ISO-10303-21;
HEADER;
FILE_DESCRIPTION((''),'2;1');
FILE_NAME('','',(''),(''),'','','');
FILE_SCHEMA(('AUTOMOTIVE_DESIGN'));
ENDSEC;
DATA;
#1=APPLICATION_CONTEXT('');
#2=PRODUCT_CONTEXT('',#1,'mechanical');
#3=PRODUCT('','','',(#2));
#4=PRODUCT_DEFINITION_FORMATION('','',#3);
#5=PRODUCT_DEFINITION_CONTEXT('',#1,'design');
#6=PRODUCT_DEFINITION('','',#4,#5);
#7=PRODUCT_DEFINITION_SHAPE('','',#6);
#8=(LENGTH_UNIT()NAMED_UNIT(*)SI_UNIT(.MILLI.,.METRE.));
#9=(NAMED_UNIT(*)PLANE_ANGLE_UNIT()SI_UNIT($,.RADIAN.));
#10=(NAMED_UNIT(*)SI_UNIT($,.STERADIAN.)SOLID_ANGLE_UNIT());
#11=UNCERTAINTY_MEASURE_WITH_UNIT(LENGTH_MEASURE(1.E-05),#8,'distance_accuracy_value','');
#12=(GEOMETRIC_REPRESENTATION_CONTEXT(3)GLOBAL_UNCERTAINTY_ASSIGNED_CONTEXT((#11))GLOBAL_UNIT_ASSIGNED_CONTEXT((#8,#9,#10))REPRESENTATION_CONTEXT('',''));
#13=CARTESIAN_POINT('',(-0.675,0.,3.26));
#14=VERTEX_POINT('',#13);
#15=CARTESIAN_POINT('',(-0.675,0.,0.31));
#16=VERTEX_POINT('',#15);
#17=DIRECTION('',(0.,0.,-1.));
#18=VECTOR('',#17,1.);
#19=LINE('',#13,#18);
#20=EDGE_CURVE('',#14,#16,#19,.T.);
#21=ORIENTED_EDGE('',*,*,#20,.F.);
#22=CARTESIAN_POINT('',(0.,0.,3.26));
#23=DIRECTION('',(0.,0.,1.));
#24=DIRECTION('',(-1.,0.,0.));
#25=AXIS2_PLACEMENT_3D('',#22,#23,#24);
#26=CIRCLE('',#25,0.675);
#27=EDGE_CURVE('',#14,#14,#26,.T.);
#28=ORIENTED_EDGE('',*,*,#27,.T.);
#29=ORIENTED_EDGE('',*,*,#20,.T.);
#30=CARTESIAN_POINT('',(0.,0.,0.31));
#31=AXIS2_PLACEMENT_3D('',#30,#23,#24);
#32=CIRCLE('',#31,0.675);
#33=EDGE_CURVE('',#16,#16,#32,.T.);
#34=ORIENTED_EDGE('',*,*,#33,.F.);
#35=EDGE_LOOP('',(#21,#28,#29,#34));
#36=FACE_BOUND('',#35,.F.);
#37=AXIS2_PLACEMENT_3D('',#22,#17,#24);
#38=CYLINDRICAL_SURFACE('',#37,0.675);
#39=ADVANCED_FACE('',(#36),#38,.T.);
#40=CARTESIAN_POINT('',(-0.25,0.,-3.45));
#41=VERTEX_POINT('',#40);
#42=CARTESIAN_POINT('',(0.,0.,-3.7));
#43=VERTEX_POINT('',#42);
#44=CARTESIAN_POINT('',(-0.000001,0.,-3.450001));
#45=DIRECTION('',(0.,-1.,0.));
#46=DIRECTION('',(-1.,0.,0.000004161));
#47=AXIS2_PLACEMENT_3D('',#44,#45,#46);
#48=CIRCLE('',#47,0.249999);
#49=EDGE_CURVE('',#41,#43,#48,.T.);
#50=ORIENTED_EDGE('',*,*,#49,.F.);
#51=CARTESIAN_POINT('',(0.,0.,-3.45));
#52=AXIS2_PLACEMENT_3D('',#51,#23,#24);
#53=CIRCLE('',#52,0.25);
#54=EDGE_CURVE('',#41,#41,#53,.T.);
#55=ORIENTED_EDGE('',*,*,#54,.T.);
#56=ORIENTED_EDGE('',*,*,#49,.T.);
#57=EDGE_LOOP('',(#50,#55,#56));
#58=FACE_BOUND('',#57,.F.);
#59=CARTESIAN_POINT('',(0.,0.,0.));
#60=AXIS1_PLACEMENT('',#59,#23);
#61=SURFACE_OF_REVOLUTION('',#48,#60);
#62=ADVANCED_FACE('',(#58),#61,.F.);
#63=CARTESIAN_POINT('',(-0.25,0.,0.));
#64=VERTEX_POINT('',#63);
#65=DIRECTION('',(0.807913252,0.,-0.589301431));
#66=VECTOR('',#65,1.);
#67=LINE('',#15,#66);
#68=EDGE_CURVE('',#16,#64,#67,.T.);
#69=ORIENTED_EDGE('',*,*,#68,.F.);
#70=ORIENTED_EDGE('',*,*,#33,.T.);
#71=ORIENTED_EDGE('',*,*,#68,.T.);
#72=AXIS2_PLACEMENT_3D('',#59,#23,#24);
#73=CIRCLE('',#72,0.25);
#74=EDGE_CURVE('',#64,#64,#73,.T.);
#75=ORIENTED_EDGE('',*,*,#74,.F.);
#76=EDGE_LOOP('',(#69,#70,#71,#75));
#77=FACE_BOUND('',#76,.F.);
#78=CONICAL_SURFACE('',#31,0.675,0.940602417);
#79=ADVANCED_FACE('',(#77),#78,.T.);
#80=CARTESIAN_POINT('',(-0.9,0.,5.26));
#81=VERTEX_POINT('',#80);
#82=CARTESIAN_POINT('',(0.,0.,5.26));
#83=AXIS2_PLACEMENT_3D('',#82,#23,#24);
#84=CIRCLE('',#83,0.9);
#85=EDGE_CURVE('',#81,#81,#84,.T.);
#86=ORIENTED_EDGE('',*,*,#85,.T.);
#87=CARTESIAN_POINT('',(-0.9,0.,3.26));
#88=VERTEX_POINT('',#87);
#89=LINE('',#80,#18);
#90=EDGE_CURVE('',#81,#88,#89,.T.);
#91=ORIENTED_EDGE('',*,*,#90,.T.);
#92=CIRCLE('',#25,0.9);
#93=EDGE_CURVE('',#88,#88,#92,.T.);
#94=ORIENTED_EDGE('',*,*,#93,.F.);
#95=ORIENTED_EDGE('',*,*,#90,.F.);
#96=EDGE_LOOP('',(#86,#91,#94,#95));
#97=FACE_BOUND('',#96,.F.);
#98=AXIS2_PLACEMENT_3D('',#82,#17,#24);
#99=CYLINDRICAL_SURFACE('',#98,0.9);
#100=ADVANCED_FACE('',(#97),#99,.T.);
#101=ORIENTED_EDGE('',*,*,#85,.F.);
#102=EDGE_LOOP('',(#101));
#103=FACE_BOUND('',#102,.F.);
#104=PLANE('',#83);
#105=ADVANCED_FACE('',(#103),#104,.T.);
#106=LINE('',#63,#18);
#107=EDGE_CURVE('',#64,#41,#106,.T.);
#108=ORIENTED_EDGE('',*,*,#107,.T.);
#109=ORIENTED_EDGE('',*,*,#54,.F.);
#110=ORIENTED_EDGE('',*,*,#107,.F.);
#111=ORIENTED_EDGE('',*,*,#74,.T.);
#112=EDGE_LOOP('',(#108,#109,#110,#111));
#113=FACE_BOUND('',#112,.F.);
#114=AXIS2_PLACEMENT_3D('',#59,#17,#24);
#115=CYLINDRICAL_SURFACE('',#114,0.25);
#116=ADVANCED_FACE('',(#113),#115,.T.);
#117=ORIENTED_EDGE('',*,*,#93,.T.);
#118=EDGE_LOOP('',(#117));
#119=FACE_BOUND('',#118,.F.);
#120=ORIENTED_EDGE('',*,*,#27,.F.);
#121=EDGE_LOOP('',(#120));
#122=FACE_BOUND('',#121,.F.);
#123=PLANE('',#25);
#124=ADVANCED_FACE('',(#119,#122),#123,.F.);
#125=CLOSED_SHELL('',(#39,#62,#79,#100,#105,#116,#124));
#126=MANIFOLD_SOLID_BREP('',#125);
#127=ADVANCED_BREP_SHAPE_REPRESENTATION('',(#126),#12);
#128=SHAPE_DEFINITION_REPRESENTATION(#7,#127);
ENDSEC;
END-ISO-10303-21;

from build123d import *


with BuildPart() as part:
    # Sketch → Revolution (revolve)
    with BuildSketch(Plane.XZ):
        with BuildLine():
            Line((0, 5.26), (-0.9, 5.26))
            Line((-0.9, 5.26), (-0.9, 3.26))
            Line((-0.9, 3.26), (-0.675, 3.26))
            Line((-0.675, 3.26), (-0.675, 0.31))
            Line((-0.675, 0.31), (-0.25, 0))
            Line((-0.25, 0), (-0.25, -3.45))
            ThreePointArc((-0.25, -3.45), (-0.176777, -3.626777), (0, -3.7))
            Line((0, 5.26), (0, -3.7))
        make_face()
    revolve(axis=Axis((0, 0, 0), (0, 0, 1)))


solid = part.part
